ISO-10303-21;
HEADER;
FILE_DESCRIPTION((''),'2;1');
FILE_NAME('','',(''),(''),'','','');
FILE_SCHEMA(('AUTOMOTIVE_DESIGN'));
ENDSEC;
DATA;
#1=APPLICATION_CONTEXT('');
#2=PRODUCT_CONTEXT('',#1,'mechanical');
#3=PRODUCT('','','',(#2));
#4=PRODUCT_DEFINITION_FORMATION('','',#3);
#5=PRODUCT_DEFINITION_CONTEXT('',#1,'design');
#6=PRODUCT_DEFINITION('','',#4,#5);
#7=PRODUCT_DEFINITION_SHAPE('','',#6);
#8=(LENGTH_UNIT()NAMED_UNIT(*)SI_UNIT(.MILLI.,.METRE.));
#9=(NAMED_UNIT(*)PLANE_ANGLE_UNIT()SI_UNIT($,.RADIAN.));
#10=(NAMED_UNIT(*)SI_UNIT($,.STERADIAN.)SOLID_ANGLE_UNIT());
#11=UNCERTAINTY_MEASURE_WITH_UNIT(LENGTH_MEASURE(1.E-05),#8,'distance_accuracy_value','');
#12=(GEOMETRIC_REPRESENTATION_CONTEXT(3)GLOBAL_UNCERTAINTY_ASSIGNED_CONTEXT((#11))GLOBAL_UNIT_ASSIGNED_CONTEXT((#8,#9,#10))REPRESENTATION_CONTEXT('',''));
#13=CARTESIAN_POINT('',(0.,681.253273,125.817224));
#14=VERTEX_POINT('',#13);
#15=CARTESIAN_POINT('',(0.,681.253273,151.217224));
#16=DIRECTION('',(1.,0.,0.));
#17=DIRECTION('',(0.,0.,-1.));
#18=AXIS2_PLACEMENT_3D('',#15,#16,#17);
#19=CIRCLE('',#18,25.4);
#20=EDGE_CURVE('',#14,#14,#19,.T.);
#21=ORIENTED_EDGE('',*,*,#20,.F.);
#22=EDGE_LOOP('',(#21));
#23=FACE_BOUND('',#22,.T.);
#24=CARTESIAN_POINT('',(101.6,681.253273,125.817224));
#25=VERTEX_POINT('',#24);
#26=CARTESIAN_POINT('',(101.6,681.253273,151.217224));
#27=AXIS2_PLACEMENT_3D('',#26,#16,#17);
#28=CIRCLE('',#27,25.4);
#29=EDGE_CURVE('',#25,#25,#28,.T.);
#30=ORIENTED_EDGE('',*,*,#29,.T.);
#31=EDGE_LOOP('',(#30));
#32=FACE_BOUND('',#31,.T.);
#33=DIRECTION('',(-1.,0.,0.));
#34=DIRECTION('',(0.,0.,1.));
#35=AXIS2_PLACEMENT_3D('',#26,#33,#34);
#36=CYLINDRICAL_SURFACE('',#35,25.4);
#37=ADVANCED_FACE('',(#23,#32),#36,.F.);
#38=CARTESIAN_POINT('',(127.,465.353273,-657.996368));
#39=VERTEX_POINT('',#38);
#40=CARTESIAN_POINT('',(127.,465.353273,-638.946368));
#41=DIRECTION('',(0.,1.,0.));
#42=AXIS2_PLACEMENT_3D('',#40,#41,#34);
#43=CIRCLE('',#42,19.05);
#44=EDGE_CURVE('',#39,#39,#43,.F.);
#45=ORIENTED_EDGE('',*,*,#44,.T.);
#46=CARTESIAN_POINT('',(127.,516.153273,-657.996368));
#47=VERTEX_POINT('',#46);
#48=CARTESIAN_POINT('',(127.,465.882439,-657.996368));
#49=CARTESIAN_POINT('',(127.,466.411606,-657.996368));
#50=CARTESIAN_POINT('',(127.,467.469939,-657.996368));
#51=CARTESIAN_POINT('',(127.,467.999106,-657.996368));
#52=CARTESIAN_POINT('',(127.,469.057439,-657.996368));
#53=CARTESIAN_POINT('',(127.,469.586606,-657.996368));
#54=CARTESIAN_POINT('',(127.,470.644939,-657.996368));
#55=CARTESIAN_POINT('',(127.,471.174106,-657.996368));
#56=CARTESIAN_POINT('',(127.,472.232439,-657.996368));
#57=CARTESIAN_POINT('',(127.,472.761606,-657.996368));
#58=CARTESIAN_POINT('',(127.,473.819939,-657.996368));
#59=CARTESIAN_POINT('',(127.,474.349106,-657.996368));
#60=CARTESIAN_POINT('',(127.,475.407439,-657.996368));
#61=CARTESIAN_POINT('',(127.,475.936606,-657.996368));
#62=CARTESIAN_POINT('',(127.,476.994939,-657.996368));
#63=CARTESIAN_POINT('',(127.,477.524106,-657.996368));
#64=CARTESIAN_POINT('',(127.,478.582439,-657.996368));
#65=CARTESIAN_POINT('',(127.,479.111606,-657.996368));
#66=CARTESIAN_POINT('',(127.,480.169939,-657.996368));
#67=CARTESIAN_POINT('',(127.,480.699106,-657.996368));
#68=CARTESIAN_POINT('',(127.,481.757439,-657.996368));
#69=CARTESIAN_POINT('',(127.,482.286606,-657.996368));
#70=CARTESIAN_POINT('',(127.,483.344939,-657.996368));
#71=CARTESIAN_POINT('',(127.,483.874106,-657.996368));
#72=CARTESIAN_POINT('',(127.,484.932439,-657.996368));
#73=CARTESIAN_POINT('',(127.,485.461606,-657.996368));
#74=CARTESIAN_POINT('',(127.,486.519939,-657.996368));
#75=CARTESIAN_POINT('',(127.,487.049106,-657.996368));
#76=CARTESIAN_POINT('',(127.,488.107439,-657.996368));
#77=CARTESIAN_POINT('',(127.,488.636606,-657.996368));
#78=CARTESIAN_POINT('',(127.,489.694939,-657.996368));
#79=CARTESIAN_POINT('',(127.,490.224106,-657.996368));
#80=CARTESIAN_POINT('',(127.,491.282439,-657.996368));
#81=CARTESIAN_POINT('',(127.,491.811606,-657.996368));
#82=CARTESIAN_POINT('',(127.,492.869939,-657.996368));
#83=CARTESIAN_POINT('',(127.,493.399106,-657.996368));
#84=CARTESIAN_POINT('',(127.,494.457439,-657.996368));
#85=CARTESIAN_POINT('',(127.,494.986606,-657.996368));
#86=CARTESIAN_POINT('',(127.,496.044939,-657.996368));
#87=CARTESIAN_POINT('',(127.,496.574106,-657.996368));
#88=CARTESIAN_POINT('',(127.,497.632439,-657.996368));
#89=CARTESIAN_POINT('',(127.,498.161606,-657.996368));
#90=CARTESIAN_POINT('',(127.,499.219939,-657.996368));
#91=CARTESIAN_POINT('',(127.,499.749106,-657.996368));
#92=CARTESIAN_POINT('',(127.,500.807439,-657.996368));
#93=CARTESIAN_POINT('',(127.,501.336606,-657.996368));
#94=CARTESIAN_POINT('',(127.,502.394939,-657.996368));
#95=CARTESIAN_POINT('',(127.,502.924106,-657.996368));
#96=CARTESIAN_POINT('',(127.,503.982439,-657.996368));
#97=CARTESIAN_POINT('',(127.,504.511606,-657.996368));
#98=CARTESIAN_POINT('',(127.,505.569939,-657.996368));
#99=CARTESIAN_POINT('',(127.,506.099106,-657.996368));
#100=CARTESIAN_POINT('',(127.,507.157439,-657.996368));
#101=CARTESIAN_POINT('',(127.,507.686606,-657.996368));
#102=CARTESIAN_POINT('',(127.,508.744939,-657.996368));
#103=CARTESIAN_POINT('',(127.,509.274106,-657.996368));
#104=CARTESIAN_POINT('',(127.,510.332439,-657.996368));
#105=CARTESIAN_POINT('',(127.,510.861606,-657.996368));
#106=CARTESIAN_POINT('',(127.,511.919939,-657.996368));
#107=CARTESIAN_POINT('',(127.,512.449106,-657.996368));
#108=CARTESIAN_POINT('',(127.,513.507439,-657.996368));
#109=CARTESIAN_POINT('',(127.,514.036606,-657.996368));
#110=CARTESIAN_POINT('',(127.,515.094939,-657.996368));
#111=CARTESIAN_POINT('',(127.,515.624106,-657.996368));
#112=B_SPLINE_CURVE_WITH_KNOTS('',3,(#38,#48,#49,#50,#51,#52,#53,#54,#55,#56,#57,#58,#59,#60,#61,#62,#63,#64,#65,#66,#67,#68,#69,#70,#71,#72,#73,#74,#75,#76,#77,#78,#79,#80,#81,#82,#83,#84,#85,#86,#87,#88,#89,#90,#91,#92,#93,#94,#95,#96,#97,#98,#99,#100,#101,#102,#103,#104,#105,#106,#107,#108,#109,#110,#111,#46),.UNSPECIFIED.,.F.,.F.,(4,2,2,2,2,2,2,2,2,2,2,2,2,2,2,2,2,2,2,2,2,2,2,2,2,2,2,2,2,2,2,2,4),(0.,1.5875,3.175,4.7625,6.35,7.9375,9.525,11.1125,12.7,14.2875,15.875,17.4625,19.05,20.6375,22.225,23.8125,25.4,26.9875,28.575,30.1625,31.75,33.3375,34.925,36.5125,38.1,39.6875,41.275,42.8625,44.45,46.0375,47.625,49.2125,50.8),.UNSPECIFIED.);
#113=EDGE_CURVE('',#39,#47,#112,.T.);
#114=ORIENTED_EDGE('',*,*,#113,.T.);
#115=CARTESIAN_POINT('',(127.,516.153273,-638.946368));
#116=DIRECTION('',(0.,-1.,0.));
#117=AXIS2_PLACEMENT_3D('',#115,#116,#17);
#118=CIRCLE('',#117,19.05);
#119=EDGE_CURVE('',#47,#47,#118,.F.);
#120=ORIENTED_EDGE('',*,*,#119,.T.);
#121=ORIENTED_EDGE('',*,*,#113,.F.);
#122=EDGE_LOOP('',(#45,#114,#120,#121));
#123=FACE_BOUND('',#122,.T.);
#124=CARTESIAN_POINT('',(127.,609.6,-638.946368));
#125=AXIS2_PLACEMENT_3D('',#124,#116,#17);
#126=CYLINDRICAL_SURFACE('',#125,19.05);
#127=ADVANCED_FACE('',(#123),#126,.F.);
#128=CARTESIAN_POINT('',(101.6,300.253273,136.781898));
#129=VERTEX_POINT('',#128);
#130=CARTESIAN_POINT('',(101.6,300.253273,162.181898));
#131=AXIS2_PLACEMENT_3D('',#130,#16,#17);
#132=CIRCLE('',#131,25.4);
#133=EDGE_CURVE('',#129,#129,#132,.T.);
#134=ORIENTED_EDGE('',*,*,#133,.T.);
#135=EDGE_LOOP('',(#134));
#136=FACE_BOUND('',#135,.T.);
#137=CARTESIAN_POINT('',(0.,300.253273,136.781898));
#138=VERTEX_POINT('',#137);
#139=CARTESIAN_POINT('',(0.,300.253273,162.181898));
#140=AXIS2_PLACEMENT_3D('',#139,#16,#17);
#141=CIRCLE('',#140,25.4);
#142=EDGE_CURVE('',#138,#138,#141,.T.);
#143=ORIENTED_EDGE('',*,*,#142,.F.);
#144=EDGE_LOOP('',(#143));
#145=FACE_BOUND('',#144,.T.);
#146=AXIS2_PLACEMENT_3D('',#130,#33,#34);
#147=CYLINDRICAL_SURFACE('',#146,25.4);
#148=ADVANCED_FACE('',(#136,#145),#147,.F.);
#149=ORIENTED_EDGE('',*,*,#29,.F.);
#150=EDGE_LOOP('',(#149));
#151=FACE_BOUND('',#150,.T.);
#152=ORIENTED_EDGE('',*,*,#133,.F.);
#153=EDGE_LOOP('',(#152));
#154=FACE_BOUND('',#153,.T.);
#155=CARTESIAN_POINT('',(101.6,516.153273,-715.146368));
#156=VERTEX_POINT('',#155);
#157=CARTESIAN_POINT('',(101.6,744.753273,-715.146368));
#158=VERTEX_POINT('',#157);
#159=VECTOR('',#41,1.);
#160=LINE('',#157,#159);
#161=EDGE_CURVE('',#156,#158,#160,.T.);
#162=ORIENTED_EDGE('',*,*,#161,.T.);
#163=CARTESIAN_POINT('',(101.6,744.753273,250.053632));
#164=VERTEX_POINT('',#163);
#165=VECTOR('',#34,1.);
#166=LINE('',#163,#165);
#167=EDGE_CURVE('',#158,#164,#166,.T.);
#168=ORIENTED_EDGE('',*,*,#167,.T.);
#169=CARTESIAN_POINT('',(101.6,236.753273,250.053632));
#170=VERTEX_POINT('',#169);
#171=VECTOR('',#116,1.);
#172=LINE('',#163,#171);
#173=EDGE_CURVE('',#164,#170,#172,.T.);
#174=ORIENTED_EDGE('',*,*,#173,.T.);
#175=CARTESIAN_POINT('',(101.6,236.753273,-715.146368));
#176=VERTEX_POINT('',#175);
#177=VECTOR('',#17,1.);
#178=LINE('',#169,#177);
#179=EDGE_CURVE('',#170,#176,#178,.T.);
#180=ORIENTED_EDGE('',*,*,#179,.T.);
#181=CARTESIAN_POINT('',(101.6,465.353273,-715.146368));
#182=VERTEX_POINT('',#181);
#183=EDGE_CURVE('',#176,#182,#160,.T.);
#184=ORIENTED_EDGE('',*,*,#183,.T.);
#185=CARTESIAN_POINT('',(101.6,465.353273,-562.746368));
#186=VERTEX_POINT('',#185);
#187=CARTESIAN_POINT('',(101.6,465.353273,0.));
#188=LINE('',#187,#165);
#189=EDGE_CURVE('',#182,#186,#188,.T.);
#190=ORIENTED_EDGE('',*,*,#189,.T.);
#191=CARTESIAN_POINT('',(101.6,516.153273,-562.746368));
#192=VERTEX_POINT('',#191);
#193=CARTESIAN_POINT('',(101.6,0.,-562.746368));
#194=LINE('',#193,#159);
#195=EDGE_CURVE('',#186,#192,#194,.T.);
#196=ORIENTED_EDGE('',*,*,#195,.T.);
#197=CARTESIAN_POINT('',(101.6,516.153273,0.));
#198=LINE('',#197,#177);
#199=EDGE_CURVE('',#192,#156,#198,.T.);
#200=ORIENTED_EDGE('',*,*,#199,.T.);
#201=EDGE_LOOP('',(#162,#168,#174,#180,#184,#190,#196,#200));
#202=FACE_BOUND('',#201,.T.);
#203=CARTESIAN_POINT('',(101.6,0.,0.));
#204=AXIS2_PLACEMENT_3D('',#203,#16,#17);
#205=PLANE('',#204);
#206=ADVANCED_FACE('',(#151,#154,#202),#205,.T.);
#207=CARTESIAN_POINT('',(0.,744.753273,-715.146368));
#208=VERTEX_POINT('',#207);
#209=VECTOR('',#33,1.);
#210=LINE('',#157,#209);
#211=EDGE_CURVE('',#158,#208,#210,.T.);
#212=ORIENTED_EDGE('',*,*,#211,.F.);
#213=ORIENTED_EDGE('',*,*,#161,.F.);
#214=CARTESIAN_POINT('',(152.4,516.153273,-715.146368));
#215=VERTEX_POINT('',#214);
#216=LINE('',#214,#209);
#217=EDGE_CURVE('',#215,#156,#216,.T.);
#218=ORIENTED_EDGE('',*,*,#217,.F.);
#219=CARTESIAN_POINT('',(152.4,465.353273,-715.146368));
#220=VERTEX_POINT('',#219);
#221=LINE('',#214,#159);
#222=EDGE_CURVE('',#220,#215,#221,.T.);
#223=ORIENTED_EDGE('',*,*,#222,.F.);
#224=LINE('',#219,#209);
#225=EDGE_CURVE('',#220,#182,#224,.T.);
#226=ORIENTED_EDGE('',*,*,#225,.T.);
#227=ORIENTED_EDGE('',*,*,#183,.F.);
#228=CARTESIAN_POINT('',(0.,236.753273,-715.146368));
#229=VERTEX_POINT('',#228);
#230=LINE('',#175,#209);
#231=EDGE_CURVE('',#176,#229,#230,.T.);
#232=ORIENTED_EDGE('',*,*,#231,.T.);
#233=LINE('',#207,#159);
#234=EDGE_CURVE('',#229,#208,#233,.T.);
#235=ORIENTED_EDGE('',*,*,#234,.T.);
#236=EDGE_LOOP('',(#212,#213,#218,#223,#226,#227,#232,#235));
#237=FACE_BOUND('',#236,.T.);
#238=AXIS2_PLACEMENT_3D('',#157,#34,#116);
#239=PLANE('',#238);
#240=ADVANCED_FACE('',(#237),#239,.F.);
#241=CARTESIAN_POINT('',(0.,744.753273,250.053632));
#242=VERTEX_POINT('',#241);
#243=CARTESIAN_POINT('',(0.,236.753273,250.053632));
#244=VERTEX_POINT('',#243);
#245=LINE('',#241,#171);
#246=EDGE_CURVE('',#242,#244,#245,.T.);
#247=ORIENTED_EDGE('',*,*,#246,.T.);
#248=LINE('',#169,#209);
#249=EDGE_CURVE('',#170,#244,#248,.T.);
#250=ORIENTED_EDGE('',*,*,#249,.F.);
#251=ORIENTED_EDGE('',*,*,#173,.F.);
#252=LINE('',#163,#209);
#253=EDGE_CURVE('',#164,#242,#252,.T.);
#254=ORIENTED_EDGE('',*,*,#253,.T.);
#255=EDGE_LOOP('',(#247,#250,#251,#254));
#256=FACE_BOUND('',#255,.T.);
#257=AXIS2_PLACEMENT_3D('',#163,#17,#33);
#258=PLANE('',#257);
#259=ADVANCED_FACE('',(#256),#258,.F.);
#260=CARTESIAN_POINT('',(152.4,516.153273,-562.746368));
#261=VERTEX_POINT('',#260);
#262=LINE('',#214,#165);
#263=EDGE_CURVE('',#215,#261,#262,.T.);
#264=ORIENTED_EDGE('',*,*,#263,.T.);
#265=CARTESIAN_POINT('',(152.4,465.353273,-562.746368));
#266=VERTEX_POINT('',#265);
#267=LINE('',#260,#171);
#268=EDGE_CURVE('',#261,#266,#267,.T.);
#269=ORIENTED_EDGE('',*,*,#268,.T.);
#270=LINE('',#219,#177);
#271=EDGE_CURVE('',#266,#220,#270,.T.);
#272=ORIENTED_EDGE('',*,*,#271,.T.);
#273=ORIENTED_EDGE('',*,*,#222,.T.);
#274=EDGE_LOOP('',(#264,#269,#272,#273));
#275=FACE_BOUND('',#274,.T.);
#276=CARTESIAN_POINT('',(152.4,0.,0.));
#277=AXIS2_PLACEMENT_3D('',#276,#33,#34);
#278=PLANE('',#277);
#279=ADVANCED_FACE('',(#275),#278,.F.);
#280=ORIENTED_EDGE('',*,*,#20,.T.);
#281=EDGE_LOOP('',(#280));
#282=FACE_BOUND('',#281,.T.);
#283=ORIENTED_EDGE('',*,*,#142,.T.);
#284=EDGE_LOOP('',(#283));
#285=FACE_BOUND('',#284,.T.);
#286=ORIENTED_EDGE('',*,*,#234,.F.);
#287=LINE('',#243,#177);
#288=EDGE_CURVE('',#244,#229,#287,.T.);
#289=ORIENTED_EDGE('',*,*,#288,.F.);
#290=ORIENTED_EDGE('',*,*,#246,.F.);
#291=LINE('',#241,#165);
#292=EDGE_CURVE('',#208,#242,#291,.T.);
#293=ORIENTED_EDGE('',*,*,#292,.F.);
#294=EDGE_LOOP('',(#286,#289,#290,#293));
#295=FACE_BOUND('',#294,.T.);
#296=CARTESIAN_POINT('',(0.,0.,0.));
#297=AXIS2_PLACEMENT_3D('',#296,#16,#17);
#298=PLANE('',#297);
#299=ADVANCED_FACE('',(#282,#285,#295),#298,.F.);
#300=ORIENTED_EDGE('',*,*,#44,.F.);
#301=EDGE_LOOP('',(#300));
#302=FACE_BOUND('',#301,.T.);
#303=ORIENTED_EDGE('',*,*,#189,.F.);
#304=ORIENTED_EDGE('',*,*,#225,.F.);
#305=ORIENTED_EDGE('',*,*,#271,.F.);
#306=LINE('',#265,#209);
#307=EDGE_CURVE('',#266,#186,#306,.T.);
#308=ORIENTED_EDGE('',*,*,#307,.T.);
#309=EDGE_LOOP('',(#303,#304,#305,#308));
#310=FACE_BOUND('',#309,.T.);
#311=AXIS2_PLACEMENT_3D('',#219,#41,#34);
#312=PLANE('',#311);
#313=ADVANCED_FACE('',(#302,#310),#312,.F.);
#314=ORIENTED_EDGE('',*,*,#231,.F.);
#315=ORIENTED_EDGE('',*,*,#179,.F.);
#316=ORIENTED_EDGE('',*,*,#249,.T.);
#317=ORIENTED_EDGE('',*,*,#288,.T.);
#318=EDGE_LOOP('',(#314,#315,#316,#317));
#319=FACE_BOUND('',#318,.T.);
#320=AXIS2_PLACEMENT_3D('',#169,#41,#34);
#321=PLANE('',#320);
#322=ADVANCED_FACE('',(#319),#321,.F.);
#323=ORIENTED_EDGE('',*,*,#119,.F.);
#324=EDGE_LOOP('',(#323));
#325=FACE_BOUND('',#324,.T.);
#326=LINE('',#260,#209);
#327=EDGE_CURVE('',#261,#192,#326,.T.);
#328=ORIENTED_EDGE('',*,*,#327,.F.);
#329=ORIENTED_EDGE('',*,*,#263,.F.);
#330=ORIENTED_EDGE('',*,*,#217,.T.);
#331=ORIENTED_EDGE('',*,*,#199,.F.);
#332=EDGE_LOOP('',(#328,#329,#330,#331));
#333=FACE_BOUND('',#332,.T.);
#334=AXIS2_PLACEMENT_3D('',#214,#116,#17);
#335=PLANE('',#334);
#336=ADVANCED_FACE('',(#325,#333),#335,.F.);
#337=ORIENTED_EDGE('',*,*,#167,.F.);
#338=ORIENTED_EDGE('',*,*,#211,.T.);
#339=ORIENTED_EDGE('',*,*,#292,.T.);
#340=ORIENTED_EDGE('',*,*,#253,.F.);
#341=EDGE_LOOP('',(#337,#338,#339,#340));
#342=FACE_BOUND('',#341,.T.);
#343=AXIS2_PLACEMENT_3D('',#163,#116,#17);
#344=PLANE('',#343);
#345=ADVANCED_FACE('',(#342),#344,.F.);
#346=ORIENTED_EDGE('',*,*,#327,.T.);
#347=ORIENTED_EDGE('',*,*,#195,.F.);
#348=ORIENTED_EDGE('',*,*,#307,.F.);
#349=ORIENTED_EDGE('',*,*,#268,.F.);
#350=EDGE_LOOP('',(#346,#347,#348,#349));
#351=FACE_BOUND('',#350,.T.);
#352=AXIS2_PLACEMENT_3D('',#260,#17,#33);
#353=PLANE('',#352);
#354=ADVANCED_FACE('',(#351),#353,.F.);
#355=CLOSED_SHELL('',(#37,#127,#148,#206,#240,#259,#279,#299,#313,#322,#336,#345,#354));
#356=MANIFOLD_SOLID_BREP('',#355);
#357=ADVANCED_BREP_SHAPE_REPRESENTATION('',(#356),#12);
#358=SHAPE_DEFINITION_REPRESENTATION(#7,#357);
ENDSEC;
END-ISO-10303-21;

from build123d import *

# Parameters (mm, degrees)
SKETCH3_W           = 965.2
SKETCH3_H           = 508
BOSS_EXTRUDE2_DEPTH = 101.6
SKETCH4_R           = 25.4
CUT_EXTRUDE2_DEPTH  = 101.6
SKETCH7_W           = 152.4
SKETCH7_H           = 50.8
BOSS_EXTRUDE4_DEPTH = 152.4
SKETCH10_R          = 19.05
CUT_EXTRUDE3_DEPTH  = 609.6


with BuildPart() as part:
    # Sketch3 → Boss-Extrude2 (new body)
    with BuildSketch(Plane(origin=(0, 0, 0), x_dir=(0, 0, -1), z_dir=(1, 0, 0))):
        with Locations((232.546367736, 490.753272684)):
            Rectangle(SKETCH3_W, SKETCH3_H)
    extrude(amount=BOSS_EXTRUDE2_DEPTH)

    # Sketch4 → Cut-Extrude2 (cut)
    with BuildSketch(Plane(origin=(0, 0, 0), x_dir=(0, 0, -1), z_dir=(1, 0, 0))):
        with Locations((-151.217224275, 681.253272684)):
            Circle(SKETCH4_R)
        with Locations((-162.181898332, 300.253272684)):
            Circle(SKETCH4_R)
    extrude(amount=CUT_EXTRUDE2_DEPTH, mode=Mode.SUBTRACT)

    # Sketch7 → Boss-Extrude4 (add)
    with BuildSketch(Plane(origin=(0, 0, 0), x_dir=(0, 0, -1), z_dir=(1, 0, 0))):
        with Locations((638.946367736, 490.753272684)):
            Rectangle(SKETCH7_W, SKETCH7_H)
    extrude(amount=BOSS_EXTRUDE4_DEPTH)

    # Sketch10 → Cut-Extrude3 (cut)
    with BuildSketch(Plane(origin=(0, 0, 0), x_dir=(1, 0, 0), z_dir=(0, 1, 0))):
        with Locations(Location((127, 638.946367736, 0), (0, 0, 90))):
            Circle(SKETCH10_R)
    extrude(amount=CUT_EXTRUDE3_DEPTH, mode=Mode.SUBTRACT)


solid = part.part
